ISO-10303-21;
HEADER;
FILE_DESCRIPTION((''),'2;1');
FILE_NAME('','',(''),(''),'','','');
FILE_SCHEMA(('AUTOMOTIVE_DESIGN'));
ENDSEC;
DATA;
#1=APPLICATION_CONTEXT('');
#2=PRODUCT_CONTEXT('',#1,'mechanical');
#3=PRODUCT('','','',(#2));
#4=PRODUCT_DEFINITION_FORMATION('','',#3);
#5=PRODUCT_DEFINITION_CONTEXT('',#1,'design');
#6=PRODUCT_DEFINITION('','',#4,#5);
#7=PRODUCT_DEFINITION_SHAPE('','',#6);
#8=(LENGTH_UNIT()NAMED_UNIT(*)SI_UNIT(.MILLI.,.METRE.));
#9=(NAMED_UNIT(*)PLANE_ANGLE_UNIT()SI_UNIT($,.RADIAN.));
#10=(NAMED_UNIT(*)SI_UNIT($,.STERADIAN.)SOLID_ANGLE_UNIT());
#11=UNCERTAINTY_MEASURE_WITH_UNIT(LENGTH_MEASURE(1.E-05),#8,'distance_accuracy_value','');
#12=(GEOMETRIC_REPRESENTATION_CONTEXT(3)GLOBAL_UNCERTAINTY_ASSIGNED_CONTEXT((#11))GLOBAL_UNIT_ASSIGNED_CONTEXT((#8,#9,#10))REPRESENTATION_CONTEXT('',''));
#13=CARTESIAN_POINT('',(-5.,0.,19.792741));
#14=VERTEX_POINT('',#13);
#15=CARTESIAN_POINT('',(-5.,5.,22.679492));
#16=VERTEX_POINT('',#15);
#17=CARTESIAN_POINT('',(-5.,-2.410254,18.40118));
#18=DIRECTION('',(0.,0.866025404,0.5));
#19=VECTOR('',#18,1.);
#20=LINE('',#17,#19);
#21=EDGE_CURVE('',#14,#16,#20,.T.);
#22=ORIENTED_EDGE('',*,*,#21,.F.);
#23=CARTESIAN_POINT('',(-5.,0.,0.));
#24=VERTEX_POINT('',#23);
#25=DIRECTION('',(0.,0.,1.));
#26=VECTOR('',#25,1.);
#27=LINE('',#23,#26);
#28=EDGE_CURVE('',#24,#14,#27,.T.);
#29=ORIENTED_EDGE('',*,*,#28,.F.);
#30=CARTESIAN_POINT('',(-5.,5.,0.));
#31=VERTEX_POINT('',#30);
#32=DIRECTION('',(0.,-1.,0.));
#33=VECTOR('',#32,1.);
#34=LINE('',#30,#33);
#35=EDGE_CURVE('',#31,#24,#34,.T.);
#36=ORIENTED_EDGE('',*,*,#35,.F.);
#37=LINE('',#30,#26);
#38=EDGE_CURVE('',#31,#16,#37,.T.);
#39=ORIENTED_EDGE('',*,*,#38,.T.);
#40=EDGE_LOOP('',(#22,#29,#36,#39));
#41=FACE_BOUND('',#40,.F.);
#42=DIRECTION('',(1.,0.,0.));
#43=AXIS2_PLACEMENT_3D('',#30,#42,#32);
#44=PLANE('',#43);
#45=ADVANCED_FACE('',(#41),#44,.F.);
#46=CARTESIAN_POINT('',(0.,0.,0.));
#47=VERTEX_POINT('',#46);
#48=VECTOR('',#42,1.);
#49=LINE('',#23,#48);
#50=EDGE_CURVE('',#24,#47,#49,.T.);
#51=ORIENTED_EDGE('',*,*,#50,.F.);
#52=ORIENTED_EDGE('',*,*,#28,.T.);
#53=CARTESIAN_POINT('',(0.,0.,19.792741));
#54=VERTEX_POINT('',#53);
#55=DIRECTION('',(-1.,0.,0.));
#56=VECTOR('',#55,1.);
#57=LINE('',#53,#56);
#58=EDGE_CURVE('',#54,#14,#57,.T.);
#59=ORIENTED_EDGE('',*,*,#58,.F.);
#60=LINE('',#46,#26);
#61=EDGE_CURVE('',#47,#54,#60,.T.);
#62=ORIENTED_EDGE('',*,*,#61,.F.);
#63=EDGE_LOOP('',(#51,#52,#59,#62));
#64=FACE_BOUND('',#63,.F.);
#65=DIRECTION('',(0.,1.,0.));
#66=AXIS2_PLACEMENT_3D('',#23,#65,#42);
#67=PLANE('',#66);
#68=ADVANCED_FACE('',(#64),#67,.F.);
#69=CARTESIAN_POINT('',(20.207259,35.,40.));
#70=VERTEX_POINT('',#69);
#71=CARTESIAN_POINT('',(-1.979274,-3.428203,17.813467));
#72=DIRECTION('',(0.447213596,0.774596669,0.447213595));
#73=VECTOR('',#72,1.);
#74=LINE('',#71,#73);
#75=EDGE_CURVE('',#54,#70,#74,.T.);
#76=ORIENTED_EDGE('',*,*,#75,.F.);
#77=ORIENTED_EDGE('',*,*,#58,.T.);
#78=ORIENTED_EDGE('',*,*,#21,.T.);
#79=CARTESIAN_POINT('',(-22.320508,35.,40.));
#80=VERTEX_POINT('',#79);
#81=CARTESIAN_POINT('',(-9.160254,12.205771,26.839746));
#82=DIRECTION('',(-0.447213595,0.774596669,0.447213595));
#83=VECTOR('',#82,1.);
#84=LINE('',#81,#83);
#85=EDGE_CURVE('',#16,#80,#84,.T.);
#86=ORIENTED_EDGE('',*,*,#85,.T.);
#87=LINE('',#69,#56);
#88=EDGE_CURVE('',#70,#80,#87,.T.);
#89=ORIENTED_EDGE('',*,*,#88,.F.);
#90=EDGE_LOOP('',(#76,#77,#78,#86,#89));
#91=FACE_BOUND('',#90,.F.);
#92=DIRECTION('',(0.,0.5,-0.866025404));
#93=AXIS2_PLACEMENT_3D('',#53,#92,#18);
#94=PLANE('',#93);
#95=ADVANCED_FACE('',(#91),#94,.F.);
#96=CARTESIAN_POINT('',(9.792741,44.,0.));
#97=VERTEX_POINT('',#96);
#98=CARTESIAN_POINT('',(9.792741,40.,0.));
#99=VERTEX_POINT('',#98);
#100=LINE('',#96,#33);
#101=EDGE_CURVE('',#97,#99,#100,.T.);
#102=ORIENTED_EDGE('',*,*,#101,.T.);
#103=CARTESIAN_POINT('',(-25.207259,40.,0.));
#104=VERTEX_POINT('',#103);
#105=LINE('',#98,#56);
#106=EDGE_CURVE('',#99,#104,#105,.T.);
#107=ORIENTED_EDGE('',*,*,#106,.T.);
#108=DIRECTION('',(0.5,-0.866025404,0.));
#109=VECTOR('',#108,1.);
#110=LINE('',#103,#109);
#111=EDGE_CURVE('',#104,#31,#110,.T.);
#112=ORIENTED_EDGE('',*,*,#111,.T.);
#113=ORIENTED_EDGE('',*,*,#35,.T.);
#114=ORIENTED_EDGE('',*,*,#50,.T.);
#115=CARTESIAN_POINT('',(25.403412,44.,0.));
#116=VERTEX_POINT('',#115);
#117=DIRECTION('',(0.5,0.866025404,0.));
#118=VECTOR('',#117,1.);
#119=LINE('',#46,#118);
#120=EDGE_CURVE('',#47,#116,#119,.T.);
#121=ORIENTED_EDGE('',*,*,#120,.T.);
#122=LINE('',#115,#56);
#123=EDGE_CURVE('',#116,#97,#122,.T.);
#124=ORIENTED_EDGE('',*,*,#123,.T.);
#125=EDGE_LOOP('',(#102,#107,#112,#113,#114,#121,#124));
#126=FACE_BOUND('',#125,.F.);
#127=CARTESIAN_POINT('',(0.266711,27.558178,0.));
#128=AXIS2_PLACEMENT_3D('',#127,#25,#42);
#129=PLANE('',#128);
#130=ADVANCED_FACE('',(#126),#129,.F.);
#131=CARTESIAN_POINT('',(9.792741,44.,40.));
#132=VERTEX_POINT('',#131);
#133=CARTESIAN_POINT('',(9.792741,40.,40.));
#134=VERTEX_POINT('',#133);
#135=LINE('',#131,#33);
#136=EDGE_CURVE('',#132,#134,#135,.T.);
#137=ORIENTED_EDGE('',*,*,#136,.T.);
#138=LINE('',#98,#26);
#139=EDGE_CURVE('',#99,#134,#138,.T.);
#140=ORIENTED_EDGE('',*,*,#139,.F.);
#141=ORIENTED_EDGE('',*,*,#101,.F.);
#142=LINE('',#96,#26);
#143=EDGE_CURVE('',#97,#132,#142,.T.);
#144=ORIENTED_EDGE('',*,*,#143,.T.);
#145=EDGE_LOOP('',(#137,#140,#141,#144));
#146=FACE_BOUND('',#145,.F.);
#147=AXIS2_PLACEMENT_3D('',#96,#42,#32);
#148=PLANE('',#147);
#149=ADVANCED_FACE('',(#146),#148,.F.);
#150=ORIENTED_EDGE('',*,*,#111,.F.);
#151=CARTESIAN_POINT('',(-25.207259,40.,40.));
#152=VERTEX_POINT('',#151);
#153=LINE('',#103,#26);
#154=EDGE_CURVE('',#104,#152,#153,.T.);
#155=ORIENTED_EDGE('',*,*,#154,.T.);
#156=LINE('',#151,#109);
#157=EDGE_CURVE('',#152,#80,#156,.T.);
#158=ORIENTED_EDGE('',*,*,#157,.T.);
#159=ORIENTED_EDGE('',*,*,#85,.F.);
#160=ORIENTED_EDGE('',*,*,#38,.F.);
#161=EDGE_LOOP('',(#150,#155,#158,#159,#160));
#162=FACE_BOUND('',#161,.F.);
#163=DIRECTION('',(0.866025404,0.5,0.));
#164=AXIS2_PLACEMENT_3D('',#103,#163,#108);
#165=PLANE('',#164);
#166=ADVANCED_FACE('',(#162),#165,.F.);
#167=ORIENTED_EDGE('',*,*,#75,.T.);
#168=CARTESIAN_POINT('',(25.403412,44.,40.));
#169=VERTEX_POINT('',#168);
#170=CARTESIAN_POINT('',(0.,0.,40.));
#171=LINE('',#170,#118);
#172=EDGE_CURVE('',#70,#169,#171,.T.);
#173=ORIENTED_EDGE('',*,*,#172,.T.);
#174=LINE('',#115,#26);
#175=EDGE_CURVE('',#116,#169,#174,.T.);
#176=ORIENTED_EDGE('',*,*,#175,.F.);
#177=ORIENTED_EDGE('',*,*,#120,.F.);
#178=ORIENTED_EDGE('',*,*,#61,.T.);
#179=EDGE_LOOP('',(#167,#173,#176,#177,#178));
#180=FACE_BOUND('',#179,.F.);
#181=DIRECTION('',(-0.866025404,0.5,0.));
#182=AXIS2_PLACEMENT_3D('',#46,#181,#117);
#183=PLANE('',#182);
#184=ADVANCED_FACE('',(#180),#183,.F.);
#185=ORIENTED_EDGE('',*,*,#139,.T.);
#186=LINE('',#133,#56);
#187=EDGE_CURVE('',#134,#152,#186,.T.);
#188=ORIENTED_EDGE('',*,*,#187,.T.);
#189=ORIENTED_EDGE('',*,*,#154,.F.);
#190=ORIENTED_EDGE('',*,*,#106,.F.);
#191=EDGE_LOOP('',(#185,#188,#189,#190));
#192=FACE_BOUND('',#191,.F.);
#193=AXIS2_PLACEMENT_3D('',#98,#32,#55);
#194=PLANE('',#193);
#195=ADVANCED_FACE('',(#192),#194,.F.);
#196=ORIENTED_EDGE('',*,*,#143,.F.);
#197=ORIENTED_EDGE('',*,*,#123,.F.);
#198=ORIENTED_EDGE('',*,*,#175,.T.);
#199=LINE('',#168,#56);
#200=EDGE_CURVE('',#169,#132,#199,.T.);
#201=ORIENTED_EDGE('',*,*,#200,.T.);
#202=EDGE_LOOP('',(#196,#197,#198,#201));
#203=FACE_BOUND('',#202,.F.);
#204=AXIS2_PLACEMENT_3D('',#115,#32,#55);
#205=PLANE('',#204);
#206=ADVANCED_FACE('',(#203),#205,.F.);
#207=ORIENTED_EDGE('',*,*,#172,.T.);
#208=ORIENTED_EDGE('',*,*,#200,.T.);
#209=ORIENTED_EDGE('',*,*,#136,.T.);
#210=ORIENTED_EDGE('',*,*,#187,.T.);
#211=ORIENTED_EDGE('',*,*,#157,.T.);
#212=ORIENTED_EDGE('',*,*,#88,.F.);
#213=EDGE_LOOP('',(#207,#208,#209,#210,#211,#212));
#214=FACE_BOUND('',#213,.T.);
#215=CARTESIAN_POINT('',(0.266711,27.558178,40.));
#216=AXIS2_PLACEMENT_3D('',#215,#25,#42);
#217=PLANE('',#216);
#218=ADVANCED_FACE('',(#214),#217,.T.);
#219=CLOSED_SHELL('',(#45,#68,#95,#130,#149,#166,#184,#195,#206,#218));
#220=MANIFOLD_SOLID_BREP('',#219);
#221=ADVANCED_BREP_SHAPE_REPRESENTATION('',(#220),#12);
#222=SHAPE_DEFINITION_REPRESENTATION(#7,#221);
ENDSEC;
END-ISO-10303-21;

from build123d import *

# Parameters (mm, degrees)
F1_DEPTH      = 40
F3_DEPTH      = 25.2082594216
F3_DEPTH_BACK = 25


with BuildPart() as f1:
    # F0 (on Top) → F1 (new body)
    with BuildSketch(Plane.XY):
        Polygon((-5, 0), (0, 0), (25.4034118443, 44), (9.7927405784, 44), (9.7927405784, 40), (0, 40), (-25.2072594216, 40), (-5, 5), align=None)
    extrude(amount=F1_DEPTH)

    # F2 (on Right) → F3 (cut, two sides)
    with BuildSketch(Plane.YZ) as f3_sk:
        Polygon((35, 40), (0, 40), (0, 19.7927405784), align=None)
    extrude(amount=-F3_DEPTH, mode=Mode.SUBTRACT)
    extrude(f3_sk.sketch, amount=F3_DEPTH_BACK, mode=Mode.SUBTRACT)


solid = f1.part
